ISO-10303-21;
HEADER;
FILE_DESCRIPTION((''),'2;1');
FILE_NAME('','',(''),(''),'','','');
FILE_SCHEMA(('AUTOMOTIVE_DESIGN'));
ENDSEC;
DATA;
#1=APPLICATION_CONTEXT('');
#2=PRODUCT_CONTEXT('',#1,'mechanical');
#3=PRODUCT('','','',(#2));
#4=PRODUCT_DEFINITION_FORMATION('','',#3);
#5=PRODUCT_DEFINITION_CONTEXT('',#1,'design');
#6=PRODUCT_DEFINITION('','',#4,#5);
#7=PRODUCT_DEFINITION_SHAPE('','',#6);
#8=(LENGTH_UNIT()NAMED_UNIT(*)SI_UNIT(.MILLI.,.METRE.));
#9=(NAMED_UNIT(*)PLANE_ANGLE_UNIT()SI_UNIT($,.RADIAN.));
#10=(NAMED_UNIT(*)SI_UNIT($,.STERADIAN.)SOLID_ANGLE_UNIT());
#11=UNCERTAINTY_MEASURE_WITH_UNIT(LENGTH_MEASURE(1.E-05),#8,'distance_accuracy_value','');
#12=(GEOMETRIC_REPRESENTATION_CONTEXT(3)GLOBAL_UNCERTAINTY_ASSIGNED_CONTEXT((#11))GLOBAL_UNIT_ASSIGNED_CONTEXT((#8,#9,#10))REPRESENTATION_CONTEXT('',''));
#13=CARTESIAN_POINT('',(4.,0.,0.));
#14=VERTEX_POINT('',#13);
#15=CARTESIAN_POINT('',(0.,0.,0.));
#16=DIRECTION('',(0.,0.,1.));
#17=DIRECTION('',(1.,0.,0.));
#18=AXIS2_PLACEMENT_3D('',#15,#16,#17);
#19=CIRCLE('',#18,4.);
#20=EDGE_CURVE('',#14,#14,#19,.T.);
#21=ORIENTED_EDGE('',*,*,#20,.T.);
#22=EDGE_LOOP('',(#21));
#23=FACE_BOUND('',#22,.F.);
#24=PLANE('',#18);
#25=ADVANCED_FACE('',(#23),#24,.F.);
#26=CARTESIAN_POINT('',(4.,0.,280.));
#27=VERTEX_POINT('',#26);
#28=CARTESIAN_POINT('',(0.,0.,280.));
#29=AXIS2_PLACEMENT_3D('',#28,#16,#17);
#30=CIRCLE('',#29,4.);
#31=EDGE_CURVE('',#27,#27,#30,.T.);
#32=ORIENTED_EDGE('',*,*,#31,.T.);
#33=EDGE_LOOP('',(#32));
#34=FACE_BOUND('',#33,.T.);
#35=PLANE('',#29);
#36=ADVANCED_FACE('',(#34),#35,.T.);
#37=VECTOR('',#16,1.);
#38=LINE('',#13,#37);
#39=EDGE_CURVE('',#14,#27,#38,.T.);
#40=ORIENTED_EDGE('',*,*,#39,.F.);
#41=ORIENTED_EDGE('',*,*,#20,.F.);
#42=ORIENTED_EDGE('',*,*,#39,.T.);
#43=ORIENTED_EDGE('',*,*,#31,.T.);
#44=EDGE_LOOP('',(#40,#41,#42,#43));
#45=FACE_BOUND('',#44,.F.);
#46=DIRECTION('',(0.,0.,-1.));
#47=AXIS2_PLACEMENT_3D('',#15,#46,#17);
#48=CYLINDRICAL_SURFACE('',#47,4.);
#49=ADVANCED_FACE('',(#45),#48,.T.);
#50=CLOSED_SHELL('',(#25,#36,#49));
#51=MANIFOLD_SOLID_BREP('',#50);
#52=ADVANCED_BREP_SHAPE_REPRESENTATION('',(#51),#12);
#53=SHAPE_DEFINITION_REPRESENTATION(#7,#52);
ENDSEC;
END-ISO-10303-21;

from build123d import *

# Parameters (mm, degrees)
CYLINDER_R     = 4
CYLINDER_DEPTH = 280


with BuildPart() as part:
    # Cylinder → Cylinder (new body)
    with BuildSketch(Plane.XY):
        Circle(CYLINDER_R)
    extrude(amount=CYLINDER_DEPTH)


solid = part.part
